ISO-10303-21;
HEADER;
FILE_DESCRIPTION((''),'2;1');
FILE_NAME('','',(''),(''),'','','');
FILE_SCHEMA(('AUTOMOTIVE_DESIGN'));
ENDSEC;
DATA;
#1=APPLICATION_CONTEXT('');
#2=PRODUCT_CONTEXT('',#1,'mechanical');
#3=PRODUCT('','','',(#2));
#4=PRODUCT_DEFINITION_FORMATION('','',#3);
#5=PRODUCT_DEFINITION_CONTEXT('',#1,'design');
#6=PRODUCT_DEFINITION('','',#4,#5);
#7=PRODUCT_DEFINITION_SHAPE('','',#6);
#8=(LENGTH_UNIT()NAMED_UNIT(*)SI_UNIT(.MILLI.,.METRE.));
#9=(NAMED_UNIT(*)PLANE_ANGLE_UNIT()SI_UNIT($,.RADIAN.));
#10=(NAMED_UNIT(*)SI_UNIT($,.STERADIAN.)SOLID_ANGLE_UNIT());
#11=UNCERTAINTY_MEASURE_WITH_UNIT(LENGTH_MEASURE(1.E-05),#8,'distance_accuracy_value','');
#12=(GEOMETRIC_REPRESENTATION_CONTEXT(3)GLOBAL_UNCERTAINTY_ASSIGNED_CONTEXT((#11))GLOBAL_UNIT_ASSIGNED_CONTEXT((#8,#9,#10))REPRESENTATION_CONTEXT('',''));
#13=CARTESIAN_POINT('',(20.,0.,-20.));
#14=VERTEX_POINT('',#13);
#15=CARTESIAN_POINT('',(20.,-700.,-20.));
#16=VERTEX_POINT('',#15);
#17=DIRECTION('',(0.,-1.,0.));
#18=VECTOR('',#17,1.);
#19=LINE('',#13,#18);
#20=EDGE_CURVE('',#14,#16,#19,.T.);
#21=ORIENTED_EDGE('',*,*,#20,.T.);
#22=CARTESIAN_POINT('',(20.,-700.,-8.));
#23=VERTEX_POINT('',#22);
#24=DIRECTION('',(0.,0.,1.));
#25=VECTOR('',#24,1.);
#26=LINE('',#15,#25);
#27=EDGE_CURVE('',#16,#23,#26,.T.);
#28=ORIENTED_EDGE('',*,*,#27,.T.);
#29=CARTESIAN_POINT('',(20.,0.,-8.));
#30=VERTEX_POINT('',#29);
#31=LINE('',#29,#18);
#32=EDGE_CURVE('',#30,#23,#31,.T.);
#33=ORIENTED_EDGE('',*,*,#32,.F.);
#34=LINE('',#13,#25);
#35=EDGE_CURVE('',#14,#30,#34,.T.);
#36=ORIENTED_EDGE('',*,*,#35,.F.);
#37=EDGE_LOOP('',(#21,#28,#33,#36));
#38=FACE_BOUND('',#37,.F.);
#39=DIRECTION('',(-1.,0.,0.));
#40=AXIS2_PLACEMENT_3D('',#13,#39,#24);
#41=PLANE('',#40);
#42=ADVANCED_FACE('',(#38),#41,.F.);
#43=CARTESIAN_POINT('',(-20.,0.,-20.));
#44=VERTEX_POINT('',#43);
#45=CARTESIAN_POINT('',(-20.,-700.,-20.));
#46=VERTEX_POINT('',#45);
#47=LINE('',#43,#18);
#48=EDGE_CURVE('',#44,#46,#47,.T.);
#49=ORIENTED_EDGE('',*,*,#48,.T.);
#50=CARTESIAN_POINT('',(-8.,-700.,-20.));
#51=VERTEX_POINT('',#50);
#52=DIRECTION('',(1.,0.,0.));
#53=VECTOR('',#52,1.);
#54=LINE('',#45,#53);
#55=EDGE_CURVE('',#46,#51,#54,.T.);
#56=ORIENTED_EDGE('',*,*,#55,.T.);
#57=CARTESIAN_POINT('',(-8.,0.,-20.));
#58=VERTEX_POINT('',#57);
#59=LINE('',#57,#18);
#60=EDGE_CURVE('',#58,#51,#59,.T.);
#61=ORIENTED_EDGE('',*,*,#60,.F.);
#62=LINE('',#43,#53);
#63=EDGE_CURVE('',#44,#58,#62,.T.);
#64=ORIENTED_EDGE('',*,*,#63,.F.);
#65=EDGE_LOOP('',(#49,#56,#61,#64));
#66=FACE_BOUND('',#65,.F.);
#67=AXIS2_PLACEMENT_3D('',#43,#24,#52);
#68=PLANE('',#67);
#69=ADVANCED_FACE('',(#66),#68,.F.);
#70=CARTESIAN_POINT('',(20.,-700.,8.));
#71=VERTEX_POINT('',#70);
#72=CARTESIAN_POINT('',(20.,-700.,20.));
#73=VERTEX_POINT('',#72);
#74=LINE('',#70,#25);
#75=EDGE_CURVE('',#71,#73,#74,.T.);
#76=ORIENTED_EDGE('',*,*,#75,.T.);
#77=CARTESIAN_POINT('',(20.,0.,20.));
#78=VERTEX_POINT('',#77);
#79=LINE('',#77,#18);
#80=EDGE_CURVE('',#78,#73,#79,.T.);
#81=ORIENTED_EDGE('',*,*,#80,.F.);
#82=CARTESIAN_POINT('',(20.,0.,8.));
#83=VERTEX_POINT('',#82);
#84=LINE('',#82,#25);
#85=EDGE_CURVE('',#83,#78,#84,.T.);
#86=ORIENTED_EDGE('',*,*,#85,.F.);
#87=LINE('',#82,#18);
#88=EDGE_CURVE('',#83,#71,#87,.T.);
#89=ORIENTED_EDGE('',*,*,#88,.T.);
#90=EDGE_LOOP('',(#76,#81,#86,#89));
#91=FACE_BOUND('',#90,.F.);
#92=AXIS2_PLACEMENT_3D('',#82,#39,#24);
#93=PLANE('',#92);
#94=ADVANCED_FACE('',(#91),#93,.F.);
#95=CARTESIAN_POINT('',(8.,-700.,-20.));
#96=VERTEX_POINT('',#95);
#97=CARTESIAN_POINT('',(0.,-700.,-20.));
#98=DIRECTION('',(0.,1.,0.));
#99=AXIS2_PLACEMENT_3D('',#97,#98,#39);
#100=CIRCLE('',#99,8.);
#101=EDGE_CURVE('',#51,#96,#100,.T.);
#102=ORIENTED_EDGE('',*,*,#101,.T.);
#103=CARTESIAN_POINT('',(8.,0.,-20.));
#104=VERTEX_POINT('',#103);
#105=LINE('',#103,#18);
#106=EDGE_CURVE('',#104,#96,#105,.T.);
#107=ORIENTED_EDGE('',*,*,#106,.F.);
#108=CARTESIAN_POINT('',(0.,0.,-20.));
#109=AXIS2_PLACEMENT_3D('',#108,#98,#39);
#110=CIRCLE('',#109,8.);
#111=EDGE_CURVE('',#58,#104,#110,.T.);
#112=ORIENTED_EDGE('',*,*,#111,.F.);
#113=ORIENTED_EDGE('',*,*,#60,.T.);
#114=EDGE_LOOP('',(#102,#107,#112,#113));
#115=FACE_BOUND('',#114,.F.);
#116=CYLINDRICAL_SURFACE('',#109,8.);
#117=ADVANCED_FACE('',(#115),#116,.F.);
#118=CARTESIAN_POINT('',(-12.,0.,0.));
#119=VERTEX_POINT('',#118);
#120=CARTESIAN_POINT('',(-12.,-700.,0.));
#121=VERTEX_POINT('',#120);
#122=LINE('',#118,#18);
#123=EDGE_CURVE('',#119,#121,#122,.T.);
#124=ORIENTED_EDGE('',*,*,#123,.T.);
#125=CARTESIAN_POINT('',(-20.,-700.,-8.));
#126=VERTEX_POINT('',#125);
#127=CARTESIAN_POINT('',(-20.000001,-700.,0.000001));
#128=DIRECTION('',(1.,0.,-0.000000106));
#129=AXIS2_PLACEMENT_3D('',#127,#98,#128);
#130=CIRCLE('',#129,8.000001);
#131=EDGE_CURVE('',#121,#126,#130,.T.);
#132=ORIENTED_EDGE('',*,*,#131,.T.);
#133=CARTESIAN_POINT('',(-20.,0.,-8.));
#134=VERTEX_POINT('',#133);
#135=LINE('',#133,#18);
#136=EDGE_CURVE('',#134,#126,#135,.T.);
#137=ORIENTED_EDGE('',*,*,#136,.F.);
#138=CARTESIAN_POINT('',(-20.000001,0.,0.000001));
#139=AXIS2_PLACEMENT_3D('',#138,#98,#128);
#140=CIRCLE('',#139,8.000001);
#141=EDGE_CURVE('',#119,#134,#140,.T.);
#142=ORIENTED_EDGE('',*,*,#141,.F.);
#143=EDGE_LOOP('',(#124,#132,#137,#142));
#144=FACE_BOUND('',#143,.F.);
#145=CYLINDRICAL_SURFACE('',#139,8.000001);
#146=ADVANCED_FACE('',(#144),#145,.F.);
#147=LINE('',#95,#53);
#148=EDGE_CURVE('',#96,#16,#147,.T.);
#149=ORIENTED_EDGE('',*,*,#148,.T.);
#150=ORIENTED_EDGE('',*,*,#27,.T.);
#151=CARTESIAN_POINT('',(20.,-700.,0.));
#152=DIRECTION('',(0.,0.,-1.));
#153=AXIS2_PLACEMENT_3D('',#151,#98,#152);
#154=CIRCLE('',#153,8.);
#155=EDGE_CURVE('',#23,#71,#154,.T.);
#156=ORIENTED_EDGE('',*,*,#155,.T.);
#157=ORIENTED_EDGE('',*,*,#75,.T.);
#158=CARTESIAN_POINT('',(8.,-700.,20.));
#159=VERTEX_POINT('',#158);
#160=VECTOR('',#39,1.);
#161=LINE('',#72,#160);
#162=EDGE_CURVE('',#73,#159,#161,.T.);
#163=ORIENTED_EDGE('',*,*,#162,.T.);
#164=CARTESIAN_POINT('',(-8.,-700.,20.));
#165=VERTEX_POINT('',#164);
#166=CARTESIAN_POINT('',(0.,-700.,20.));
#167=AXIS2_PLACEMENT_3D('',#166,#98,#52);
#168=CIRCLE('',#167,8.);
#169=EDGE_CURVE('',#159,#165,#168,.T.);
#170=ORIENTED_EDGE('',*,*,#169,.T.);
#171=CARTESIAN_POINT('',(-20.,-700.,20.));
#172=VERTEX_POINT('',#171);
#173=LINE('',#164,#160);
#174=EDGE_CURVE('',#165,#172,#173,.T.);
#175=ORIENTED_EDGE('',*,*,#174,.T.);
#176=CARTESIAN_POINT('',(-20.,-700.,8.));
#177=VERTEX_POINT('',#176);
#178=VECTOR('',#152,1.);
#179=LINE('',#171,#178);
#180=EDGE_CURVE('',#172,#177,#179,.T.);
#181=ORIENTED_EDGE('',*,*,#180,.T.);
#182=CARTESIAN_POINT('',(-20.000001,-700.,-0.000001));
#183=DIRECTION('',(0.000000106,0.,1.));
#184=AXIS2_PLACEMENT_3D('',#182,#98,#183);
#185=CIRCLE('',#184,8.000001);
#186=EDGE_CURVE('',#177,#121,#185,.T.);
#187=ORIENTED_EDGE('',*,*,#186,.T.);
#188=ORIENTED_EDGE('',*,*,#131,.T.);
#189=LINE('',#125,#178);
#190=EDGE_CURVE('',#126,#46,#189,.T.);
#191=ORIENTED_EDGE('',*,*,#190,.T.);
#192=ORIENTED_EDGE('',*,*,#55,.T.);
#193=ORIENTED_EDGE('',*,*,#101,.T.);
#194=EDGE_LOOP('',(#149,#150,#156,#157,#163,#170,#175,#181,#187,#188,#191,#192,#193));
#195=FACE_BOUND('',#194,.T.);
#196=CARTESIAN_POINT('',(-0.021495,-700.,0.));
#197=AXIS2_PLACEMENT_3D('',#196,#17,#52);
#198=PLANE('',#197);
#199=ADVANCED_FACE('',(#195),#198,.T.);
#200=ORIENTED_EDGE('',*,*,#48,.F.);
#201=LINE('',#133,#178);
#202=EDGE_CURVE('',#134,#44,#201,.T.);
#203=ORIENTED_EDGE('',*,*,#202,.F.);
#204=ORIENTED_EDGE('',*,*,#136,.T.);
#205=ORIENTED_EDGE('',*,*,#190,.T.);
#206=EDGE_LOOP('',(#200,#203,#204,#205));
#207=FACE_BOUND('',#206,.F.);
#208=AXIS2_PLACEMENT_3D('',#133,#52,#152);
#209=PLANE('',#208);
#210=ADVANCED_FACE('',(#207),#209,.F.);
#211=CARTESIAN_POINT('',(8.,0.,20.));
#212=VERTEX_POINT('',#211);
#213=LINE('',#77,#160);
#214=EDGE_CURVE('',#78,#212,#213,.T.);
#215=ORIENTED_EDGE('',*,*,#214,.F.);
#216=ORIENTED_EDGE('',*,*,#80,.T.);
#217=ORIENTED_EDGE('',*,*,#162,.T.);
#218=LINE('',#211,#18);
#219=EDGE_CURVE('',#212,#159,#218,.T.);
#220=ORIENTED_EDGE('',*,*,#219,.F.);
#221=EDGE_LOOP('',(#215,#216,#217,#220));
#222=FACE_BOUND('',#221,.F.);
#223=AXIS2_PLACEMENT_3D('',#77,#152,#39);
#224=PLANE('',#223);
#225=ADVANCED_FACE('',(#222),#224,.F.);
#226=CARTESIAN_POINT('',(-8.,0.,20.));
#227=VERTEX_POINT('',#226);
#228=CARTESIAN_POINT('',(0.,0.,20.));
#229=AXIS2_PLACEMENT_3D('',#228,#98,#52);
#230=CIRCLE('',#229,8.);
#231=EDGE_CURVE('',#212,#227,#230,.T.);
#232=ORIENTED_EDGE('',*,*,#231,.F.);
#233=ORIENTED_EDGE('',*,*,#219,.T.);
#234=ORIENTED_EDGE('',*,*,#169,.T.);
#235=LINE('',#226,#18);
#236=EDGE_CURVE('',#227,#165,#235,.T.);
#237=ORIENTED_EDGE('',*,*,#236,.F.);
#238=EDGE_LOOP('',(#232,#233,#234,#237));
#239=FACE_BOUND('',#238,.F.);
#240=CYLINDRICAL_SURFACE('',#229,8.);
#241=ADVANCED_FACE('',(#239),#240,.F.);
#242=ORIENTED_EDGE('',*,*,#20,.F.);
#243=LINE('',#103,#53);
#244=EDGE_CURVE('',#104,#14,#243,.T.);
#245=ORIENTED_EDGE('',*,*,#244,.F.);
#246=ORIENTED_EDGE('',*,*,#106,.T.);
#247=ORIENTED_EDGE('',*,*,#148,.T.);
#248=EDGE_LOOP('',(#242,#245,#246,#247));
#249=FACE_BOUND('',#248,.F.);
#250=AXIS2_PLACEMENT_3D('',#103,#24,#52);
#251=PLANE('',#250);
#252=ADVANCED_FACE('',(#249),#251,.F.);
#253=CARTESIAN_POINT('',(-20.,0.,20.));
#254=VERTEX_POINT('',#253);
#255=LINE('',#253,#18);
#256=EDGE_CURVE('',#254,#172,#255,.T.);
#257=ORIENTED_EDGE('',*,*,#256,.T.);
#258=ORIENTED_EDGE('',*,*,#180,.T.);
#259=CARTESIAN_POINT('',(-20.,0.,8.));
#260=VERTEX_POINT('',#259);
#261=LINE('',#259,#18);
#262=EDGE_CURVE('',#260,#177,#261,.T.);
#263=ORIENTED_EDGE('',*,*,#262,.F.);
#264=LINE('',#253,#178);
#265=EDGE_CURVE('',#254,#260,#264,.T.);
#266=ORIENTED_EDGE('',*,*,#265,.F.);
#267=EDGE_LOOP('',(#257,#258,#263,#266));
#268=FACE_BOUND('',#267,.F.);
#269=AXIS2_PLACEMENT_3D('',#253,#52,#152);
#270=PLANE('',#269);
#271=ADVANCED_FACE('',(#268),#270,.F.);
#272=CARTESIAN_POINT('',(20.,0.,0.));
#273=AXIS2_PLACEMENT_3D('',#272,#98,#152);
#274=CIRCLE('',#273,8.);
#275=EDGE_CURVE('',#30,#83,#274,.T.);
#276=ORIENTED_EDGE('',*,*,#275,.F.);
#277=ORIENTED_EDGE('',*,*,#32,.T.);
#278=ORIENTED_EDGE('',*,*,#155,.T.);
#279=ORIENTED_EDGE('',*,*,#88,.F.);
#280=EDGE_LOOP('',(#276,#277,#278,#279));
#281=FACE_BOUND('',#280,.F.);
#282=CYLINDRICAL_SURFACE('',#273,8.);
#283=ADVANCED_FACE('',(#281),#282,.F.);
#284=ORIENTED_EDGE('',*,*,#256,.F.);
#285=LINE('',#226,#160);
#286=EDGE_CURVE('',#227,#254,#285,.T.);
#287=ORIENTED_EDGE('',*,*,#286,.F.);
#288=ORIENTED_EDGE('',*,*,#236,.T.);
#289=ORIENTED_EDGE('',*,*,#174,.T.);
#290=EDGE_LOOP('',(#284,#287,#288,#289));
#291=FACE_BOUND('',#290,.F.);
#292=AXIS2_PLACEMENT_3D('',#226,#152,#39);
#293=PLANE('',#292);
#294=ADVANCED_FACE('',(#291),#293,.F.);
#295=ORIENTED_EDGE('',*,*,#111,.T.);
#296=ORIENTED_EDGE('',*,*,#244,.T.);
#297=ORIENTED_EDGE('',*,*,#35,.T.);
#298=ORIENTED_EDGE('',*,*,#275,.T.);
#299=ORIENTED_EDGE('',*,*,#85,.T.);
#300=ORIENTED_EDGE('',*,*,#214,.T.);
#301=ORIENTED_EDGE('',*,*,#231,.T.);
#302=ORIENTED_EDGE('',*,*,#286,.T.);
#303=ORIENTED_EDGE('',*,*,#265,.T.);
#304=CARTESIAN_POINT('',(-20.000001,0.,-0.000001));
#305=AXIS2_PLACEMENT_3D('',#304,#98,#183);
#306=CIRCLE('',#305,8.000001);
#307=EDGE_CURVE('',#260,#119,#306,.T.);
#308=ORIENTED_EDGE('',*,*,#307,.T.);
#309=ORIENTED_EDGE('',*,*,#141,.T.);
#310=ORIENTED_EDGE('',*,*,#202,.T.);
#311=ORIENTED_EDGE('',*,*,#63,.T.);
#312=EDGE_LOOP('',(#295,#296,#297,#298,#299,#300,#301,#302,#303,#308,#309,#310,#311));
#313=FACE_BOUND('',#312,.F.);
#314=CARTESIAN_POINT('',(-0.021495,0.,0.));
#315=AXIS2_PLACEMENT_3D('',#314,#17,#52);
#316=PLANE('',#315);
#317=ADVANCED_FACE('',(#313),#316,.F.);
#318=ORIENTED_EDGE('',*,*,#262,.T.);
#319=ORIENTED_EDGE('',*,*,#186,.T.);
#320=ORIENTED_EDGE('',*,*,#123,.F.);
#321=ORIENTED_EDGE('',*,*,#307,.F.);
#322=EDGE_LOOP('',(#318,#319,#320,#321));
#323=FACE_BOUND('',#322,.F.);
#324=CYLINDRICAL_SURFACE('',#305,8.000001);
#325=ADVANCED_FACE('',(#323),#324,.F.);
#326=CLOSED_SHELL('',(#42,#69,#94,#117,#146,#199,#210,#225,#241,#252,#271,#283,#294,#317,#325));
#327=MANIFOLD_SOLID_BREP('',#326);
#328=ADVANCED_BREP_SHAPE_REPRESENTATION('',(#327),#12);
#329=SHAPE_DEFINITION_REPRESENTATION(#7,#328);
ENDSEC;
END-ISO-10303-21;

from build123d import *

# Parameters (mm, degrees)
F1_DEPTH = 700


with BuildPart() as f1:
    # F0 (on Front) → F1 (new body)
    with BuildSketch(Plane.XZ):
        with BuildLine():
            Line((8, -20), (20, -20))
            Line((20, -20), (20, -8))
            ThreePointArc((20, -8), (12, 0), (20, 8))
            Line((20, 8), (20, 20))
            Line((20, 20), (8, 20))
            ThreePointArc((8, 20), (0, 12), (-8, 20))
            Line((-8, 20), (-20, 20))
            Line((-20, 20), (-20, 8))
            ThreePointArc((-20, 8), (-14.343146, 5.656854), (-12, 0))
            ThreePointArc((-12, 0), (-14.343146, -5.656854), (-20, -8))
            Line((-20, -8), (-20, -20))
            Line((-20, -20), (-8, -20))
            ThreePointArc((-8, -20), (0, -12), (8, -20))
        make_face()
    extrude(amount=F1_DEPTH)


solid = f1.part
